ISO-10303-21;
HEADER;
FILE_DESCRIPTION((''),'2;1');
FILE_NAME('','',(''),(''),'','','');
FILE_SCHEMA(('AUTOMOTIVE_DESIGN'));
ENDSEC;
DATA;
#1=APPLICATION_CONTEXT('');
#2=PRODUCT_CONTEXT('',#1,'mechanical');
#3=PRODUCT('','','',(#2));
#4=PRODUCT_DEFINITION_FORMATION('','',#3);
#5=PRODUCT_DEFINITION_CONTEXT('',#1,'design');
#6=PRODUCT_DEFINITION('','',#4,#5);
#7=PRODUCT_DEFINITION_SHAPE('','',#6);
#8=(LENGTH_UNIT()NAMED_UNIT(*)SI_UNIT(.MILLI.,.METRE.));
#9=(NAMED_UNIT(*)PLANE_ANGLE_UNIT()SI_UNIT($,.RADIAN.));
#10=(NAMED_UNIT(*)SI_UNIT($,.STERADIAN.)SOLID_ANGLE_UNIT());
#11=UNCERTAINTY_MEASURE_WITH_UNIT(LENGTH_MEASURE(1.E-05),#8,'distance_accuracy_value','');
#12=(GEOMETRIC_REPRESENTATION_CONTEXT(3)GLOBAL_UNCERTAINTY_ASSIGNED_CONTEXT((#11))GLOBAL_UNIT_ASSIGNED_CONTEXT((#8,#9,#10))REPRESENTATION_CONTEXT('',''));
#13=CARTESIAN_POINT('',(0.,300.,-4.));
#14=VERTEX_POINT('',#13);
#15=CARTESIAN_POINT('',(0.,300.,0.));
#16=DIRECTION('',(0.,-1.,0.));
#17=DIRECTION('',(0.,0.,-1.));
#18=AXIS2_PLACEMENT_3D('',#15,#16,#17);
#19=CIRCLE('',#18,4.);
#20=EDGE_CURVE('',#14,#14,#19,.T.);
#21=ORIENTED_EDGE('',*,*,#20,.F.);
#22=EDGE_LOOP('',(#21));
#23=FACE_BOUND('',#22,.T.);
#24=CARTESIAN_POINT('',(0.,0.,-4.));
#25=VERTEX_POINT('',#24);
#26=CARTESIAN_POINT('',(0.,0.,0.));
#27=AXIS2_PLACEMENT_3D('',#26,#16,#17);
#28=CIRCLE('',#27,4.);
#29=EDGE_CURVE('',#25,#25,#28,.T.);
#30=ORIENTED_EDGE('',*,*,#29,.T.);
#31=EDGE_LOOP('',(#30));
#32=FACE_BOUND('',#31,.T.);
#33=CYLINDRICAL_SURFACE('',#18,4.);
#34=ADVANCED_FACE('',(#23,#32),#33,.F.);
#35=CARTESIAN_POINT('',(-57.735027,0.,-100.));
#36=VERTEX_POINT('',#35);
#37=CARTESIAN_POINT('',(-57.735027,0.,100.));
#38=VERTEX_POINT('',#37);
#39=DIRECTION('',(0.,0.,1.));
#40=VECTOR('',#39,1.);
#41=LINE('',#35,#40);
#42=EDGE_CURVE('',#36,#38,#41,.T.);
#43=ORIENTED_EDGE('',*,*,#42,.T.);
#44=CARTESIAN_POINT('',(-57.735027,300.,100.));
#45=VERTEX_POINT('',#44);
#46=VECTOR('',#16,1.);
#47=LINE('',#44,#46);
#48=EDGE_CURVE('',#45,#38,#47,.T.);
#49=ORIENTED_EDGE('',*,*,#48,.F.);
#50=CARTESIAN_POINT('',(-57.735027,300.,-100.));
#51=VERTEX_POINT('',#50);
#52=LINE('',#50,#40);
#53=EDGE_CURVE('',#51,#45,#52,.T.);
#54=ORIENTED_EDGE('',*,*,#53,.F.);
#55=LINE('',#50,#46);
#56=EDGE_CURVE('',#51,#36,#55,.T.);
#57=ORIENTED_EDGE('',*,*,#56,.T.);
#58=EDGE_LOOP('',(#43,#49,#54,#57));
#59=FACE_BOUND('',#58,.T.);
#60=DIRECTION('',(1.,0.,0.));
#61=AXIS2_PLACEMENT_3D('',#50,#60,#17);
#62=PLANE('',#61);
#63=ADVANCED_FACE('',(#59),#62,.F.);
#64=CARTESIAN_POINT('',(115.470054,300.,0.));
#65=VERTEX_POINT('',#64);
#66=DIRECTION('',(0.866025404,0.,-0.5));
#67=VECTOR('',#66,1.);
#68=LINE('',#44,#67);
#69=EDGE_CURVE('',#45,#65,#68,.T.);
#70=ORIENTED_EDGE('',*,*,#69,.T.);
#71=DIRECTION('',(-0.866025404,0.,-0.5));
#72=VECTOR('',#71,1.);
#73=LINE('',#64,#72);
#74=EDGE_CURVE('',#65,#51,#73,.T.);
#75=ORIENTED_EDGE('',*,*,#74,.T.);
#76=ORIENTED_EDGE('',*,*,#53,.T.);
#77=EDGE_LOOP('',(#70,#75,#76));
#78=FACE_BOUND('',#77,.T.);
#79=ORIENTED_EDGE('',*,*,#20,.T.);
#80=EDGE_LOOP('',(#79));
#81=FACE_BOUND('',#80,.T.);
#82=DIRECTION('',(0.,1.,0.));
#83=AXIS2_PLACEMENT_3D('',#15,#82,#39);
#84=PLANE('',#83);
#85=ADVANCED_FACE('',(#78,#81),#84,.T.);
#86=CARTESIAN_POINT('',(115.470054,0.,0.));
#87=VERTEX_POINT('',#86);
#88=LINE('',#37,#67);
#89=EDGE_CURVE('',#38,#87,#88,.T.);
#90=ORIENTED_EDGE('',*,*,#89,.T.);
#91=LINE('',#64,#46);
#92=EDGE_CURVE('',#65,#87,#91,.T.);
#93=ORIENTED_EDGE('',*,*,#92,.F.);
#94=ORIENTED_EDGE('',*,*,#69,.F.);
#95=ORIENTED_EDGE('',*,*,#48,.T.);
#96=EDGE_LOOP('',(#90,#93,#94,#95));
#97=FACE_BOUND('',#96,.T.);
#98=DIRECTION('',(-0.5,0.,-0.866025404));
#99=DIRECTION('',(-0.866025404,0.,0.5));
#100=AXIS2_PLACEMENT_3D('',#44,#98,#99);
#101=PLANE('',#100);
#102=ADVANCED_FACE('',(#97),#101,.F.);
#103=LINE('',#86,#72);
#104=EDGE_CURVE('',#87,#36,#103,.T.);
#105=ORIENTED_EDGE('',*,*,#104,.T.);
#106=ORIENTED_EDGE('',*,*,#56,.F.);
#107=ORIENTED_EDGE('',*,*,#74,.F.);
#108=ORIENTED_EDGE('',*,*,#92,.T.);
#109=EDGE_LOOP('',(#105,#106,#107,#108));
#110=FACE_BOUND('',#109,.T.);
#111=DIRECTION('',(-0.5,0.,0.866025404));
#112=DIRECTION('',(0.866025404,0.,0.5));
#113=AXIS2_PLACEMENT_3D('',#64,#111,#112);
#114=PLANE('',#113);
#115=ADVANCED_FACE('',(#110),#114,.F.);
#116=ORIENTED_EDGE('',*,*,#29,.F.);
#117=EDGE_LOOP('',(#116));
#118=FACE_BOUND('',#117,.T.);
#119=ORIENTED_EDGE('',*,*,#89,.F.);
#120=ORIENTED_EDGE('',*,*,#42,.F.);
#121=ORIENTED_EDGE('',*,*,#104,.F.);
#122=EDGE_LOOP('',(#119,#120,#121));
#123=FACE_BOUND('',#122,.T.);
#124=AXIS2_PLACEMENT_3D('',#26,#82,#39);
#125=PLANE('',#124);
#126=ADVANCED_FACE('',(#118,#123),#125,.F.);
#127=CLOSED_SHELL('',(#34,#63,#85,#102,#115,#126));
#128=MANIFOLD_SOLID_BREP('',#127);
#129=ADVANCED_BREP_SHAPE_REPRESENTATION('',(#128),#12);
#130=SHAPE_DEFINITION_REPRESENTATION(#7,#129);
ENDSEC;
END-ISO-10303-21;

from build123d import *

# Parameters (mm, degrees)
BOSS_EXTRUDE2_DEPTH = 300
SKETCH3_R           = 4
CUT_EXTRUDE2_DEPTH  = 300


with BuildPart() as part:
    # Sketch1 → Boss-Extrude2 (new body)
    with BuildSketch(Plane(origin=(0, 0, 0), x_dir=(1, 0, 0), z_dir=(0, 1, 0))):
        Polygon((115.470053838, 0), (-57.735026919, 100), (-57.735026919, -100), align=None)
    extrude(amount=BOSS_EXTRUDE2_DEPTH)

    # Sketch3 → Cut-Extrude2 (cut)
    with BuildSketch(Plane.XZ):
        with Locations(Location((0, 0, 0), (0, 0, 270))):
            Circle(SKETCH3_R)
    extrude(amount=-CUT_EXTRUDE2_DEPTH, mode=Mode.SUBTRACT)


solid = part.part
